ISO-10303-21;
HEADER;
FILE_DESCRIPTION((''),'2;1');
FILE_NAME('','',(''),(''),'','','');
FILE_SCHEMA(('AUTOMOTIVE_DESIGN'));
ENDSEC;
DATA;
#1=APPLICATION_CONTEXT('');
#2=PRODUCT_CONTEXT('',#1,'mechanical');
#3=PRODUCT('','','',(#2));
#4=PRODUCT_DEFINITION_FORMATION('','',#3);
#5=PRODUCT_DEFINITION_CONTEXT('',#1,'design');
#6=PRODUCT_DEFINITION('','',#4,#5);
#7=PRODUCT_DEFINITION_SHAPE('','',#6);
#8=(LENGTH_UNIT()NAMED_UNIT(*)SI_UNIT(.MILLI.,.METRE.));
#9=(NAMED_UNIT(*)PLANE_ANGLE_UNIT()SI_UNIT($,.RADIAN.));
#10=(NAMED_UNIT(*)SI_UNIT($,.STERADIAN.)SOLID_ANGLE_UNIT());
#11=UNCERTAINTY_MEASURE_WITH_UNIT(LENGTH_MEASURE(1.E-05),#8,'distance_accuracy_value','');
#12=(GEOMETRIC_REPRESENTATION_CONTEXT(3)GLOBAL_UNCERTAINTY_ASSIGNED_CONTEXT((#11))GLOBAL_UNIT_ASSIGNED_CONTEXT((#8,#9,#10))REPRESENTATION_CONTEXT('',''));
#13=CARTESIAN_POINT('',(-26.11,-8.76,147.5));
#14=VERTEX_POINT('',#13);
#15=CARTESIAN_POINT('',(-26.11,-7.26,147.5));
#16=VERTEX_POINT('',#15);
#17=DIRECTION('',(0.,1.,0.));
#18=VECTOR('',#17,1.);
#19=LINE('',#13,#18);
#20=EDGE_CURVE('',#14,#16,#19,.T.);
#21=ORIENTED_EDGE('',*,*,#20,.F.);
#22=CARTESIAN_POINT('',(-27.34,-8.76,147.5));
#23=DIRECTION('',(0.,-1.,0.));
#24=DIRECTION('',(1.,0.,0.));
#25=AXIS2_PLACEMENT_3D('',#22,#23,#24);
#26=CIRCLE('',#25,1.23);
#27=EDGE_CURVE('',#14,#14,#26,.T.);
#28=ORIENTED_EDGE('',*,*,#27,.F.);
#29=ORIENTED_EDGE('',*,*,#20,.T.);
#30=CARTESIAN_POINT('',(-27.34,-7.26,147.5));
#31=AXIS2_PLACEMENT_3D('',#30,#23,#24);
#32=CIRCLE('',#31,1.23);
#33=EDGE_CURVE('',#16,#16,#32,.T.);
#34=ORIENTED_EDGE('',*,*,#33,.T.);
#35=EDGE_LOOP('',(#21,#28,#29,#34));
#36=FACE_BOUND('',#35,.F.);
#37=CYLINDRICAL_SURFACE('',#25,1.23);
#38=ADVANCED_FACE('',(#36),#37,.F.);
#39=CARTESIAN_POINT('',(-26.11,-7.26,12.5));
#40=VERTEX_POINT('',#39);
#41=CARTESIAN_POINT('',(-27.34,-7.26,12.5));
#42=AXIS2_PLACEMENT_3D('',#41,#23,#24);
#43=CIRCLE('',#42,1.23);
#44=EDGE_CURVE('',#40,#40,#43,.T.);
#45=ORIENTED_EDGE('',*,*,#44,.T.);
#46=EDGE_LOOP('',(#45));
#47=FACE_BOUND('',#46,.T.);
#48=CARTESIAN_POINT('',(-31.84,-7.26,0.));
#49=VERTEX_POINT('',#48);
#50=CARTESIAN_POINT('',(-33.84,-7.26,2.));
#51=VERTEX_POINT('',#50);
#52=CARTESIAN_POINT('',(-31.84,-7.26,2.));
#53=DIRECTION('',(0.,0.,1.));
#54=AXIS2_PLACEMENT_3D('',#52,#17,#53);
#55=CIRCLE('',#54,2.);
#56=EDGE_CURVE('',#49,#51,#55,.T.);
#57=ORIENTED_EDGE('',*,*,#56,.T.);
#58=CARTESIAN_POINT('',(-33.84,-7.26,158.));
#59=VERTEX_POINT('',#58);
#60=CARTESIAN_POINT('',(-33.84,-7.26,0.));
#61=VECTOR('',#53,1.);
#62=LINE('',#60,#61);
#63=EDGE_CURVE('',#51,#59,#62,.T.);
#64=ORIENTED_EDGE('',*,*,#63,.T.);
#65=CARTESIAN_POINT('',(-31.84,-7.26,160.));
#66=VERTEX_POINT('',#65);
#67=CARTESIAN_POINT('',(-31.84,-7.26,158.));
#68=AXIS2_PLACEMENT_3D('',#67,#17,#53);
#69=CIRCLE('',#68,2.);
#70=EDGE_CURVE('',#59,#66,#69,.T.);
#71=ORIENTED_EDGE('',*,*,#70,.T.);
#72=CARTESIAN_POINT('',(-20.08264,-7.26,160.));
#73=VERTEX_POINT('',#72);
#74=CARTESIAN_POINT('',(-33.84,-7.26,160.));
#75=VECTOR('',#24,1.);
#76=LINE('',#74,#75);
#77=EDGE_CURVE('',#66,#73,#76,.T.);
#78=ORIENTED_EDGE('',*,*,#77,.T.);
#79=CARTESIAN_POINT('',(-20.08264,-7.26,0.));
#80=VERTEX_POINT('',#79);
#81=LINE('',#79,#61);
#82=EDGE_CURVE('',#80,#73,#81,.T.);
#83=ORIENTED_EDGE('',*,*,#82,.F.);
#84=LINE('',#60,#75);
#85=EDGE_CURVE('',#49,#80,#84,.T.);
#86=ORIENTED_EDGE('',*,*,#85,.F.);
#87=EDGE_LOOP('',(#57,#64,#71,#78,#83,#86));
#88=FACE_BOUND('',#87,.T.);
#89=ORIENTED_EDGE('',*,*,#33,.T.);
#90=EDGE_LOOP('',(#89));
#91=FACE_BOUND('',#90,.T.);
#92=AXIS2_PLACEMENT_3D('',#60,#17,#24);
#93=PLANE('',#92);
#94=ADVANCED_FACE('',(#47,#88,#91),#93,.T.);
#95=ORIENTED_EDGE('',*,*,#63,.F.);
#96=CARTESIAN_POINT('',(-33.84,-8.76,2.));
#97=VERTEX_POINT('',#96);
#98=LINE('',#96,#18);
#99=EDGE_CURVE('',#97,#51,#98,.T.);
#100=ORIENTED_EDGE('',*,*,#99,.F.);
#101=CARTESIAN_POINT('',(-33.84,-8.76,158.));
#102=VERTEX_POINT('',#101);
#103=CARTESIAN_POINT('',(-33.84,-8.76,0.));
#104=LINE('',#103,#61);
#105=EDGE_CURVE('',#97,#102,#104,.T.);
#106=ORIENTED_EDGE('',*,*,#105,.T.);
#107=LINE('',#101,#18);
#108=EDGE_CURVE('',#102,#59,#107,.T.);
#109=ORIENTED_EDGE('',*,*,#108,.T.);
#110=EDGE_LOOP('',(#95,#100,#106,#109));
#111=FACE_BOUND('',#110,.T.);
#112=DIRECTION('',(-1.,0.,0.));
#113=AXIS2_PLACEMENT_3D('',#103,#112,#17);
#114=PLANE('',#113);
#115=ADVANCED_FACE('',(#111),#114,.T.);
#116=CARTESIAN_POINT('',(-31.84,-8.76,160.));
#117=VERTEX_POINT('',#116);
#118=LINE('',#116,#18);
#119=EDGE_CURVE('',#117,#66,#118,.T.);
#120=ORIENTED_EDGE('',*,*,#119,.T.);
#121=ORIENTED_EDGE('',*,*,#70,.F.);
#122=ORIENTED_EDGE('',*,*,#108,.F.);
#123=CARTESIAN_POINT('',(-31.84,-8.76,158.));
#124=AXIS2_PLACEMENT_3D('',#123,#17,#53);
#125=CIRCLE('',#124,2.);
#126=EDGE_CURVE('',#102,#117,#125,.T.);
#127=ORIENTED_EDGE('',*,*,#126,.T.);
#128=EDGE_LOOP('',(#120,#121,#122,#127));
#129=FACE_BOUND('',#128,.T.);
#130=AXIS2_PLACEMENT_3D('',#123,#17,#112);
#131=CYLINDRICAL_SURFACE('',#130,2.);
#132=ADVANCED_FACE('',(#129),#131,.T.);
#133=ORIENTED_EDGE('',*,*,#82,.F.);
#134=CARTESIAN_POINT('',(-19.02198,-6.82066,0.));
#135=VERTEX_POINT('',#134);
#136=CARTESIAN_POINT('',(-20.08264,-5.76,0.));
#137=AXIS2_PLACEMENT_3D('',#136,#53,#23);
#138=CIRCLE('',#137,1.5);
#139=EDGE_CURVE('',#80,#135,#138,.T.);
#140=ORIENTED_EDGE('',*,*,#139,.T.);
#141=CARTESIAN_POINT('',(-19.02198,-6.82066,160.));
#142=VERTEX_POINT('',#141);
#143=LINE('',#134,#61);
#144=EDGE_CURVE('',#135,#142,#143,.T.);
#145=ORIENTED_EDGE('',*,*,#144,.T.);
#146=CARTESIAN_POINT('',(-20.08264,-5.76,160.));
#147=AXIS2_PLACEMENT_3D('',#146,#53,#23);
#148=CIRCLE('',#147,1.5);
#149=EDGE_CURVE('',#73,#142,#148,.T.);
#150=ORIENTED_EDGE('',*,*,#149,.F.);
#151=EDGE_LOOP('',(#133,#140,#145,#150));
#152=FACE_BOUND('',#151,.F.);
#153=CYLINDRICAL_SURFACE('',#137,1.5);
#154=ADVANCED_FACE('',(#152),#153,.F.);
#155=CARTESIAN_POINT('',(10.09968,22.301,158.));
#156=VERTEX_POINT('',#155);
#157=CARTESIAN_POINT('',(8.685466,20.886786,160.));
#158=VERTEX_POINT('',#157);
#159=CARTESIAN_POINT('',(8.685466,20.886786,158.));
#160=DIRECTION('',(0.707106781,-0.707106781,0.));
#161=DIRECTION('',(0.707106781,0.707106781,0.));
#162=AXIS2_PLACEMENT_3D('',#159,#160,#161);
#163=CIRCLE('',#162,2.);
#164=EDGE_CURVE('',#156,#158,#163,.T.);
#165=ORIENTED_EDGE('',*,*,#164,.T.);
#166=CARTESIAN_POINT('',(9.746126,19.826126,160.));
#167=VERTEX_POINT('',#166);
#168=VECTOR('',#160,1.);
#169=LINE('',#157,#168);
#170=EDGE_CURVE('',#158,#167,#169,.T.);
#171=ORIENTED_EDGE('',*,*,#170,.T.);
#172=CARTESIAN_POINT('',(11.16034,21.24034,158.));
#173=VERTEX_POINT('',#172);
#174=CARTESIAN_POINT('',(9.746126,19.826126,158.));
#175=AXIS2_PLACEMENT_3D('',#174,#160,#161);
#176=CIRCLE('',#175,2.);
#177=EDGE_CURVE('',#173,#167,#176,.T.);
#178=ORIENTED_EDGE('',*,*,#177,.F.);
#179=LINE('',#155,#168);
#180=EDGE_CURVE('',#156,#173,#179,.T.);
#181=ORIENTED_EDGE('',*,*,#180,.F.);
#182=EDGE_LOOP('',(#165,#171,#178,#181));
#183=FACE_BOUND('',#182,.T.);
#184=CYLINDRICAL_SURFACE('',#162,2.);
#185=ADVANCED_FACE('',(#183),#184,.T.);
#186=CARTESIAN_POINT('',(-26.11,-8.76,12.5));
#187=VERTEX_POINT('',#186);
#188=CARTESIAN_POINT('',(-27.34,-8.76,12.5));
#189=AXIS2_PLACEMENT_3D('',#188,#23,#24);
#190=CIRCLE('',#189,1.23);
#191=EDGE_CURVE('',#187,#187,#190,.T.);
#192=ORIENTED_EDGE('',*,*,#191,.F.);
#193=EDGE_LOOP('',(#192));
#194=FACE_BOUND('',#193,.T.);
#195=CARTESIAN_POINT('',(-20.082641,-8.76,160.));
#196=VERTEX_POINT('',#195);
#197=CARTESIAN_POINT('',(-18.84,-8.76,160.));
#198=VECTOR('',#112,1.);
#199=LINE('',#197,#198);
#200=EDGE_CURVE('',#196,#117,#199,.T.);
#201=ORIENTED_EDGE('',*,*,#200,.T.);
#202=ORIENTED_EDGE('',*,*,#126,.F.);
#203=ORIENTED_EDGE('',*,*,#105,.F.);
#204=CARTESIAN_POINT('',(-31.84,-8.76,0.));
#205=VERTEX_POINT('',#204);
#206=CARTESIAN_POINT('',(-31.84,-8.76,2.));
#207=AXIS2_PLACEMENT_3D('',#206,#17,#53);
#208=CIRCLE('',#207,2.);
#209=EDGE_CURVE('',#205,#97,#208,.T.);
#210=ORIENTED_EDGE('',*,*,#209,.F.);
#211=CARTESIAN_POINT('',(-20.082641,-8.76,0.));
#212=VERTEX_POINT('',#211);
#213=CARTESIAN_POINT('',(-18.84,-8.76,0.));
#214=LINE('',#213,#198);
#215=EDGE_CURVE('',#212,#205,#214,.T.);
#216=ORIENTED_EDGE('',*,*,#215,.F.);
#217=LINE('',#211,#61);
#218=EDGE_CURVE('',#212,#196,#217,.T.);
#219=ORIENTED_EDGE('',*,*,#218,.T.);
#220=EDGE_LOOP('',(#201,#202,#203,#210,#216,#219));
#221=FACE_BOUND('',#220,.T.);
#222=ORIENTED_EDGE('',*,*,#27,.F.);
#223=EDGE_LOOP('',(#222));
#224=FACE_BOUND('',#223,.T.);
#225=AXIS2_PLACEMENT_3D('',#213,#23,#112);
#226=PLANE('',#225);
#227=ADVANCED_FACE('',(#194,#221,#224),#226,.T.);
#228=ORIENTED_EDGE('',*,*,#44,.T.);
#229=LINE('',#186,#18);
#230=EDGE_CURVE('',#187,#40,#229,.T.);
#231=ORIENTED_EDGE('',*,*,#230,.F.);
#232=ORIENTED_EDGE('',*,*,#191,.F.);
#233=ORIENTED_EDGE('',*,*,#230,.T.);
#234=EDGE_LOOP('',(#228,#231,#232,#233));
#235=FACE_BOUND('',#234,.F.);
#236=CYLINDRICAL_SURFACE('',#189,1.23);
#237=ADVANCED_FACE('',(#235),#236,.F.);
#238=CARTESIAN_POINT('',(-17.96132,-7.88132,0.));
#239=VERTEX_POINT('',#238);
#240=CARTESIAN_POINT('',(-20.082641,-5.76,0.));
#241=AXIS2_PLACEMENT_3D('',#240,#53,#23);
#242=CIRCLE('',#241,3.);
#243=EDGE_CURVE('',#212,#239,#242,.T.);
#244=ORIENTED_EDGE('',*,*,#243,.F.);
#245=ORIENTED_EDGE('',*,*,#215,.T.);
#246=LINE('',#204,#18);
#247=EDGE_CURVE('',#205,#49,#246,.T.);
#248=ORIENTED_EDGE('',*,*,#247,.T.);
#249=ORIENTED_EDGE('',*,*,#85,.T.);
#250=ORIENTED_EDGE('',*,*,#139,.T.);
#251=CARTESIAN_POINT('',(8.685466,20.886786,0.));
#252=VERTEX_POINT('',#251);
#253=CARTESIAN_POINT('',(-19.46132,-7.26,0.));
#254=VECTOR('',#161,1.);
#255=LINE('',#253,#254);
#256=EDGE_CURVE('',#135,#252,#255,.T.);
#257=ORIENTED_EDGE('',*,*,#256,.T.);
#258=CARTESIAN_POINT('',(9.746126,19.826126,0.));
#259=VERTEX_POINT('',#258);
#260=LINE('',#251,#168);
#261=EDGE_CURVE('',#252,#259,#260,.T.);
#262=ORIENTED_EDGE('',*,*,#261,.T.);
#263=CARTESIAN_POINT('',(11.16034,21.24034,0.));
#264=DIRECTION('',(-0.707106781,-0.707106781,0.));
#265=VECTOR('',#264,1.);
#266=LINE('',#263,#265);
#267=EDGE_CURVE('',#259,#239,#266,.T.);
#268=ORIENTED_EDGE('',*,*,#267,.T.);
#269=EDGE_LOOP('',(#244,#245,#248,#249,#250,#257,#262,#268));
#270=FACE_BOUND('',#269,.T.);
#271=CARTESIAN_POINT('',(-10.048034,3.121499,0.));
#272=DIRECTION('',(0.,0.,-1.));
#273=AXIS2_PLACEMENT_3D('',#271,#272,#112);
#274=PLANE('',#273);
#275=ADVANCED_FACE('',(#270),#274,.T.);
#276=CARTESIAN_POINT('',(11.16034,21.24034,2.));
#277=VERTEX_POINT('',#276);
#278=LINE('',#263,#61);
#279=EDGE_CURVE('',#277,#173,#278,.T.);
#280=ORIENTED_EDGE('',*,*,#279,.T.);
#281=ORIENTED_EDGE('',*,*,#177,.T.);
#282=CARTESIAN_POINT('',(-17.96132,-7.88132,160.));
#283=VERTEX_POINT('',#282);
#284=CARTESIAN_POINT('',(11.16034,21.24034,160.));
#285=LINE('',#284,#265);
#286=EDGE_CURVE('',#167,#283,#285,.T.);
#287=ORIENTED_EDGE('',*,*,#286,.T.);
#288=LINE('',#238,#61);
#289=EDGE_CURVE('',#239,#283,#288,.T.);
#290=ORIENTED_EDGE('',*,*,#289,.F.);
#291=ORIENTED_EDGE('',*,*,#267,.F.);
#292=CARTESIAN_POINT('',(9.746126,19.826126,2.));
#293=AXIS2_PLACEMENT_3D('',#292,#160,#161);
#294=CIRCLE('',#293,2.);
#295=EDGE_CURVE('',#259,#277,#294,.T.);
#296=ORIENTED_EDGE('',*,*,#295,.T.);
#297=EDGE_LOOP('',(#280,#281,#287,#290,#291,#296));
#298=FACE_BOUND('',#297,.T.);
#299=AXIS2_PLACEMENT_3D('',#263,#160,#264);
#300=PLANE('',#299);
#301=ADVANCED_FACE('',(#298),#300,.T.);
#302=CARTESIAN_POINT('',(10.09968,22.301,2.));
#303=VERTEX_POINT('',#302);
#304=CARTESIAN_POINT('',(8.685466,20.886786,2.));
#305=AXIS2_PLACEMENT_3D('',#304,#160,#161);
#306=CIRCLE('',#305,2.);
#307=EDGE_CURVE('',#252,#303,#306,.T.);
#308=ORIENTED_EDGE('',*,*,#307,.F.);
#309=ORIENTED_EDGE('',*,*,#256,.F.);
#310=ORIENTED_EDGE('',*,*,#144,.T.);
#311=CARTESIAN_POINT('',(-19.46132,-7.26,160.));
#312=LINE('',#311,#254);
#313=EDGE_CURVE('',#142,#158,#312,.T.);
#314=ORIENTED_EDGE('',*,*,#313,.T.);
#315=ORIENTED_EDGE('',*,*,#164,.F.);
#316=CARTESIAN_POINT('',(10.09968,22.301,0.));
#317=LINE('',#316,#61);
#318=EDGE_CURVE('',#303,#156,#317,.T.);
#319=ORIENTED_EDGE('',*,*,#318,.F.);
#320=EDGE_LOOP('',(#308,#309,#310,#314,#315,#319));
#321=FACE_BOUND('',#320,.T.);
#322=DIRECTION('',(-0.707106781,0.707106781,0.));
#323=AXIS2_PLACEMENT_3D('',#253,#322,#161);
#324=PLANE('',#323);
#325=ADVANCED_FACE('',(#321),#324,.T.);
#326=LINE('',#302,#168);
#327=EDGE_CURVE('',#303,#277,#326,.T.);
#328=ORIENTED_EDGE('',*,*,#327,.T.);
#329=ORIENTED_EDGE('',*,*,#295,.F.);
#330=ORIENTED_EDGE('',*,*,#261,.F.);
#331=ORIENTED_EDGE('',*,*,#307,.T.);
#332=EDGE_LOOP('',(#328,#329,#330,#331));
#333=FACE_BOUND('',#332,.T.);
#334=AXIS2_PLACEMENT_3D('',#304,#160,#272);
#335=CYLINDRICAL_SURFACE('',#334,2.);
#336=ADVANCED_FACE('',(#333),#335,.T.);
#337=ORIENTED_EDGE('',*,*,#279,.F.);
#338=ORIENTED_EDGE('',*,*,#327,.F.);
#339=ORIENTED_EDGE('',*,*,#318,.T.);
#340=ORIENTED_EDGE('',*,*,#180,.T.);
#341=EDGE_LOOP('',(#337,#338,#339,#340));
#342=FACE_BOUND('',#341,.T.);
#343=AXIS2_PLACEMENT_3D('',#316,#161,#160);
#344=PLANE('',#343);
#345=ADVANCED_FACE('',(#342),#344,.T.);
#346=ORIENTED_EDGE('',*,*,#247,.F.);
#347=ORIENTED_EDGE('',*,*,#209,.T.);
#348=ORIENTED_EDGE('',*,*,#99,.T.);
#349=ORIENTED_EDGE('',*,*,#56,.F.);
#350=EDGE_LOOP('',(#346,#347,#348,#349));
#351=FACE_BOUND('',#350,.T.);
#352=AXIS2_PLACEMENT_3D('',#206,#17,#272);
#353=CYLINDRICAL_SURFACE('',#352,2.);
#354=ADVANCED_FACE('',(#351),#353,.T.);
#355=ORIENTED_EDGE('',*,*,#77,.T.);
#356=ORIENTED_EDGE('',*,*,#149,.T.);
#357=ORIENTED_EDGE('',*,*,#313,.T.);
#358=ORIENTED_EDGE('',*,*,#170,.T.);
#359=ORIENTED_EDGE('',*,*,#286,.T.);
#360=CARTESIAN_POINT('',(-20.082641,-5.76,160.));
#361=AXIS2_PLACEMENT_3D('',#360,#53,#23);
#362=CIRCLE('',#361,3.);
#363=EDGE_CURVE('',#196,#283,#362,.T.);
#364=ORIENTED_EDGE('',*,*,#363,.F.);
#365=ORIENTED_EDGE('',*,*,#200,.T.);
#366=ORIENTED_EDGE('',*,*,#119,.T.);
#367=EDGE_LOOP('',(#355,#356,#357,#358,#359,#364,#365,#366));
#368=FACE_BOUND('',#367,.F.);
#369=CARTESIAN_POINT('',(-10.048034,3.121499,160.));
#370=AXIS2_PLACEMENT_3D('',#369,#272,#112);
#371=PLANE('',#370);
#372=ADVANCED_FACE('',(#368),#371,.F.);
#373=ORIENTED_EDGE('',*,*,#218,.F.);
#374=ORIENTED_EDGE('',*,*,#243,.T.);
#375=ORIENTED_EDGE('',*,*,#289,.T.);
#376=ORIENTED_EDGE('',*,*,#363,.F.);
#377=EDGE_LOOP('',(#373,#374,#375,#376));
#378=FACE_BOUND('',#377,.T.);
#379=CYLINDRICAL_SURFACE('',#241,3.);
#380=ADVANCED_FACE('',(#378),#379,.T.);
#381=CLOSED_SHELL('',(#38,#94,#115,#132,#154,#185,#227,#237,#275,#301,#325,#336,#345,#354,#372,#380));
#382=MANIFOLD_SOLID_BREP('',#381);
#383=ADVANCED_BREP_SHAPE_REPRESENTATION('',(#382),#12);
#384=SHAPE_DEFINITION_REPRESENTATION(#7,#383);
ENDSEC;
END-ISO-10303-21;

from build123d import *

# Parameters (mm, degrees)
PAD_DEPTH    = 160
FILLET_R     = 1.5
FILLET001_R  = 3
FILLET002_R  = 2
SKETCH001_R  = 1.23
POCKET_DEPTH = 5


with BuildPart() as part:
    # Sketch → Pad (new body)
    with BuildSketch(Plane.XY):
        Polygon((-33.84, -7.26), (-19.46132, -7.26), (10.09968, 22.301), (11.16034, 21.24034), (-18.84, -8.76), (-33.84, -8.76), align=None)
    extrude(amount=PAD_DEPTH)

    # Fillet
    fillet_edges = [part.edges().sort_by_distance(p)[0] for p in [
        (-19.46132, -7.26, 80),
    ]]
    fillet(fillet_edges, radius=FILLET_R)

    # Fillet001
    fillet001_edges = [part.edges().sort_by_distance(p)[0] for p in [
        (-18.84, -8.76, 80),
    ]]
    fillet(fillet001_edges, radius=FILLET001_R)

    # Fillet002
    fillet002_edges = [part.edges().sort_by_distance(p)[0] for p in [
        (10.63001, 21.77067, 160),
        (-33.84, -8.01, 160),
        (-33.84, -8.01, 0),
        (10.63001, 21.77067, 0),
    ]]
    fillet(fillet002_edges, radius=FILLET002_R)

    # Sketch001 → Pocket (cut)
    with BuildSketch(Plane.XZ.offset(8.76)):
        with Locations((-27.34, 12.5)):
            Circle(SKETCH001_R)
        with Locations((-27.34, 147.5)):
            Circle(SKETCH001_R)
    extrude(amount=-POCKET_DEPTH, mode=Mode.SUBTRACT)


solid = part.part
